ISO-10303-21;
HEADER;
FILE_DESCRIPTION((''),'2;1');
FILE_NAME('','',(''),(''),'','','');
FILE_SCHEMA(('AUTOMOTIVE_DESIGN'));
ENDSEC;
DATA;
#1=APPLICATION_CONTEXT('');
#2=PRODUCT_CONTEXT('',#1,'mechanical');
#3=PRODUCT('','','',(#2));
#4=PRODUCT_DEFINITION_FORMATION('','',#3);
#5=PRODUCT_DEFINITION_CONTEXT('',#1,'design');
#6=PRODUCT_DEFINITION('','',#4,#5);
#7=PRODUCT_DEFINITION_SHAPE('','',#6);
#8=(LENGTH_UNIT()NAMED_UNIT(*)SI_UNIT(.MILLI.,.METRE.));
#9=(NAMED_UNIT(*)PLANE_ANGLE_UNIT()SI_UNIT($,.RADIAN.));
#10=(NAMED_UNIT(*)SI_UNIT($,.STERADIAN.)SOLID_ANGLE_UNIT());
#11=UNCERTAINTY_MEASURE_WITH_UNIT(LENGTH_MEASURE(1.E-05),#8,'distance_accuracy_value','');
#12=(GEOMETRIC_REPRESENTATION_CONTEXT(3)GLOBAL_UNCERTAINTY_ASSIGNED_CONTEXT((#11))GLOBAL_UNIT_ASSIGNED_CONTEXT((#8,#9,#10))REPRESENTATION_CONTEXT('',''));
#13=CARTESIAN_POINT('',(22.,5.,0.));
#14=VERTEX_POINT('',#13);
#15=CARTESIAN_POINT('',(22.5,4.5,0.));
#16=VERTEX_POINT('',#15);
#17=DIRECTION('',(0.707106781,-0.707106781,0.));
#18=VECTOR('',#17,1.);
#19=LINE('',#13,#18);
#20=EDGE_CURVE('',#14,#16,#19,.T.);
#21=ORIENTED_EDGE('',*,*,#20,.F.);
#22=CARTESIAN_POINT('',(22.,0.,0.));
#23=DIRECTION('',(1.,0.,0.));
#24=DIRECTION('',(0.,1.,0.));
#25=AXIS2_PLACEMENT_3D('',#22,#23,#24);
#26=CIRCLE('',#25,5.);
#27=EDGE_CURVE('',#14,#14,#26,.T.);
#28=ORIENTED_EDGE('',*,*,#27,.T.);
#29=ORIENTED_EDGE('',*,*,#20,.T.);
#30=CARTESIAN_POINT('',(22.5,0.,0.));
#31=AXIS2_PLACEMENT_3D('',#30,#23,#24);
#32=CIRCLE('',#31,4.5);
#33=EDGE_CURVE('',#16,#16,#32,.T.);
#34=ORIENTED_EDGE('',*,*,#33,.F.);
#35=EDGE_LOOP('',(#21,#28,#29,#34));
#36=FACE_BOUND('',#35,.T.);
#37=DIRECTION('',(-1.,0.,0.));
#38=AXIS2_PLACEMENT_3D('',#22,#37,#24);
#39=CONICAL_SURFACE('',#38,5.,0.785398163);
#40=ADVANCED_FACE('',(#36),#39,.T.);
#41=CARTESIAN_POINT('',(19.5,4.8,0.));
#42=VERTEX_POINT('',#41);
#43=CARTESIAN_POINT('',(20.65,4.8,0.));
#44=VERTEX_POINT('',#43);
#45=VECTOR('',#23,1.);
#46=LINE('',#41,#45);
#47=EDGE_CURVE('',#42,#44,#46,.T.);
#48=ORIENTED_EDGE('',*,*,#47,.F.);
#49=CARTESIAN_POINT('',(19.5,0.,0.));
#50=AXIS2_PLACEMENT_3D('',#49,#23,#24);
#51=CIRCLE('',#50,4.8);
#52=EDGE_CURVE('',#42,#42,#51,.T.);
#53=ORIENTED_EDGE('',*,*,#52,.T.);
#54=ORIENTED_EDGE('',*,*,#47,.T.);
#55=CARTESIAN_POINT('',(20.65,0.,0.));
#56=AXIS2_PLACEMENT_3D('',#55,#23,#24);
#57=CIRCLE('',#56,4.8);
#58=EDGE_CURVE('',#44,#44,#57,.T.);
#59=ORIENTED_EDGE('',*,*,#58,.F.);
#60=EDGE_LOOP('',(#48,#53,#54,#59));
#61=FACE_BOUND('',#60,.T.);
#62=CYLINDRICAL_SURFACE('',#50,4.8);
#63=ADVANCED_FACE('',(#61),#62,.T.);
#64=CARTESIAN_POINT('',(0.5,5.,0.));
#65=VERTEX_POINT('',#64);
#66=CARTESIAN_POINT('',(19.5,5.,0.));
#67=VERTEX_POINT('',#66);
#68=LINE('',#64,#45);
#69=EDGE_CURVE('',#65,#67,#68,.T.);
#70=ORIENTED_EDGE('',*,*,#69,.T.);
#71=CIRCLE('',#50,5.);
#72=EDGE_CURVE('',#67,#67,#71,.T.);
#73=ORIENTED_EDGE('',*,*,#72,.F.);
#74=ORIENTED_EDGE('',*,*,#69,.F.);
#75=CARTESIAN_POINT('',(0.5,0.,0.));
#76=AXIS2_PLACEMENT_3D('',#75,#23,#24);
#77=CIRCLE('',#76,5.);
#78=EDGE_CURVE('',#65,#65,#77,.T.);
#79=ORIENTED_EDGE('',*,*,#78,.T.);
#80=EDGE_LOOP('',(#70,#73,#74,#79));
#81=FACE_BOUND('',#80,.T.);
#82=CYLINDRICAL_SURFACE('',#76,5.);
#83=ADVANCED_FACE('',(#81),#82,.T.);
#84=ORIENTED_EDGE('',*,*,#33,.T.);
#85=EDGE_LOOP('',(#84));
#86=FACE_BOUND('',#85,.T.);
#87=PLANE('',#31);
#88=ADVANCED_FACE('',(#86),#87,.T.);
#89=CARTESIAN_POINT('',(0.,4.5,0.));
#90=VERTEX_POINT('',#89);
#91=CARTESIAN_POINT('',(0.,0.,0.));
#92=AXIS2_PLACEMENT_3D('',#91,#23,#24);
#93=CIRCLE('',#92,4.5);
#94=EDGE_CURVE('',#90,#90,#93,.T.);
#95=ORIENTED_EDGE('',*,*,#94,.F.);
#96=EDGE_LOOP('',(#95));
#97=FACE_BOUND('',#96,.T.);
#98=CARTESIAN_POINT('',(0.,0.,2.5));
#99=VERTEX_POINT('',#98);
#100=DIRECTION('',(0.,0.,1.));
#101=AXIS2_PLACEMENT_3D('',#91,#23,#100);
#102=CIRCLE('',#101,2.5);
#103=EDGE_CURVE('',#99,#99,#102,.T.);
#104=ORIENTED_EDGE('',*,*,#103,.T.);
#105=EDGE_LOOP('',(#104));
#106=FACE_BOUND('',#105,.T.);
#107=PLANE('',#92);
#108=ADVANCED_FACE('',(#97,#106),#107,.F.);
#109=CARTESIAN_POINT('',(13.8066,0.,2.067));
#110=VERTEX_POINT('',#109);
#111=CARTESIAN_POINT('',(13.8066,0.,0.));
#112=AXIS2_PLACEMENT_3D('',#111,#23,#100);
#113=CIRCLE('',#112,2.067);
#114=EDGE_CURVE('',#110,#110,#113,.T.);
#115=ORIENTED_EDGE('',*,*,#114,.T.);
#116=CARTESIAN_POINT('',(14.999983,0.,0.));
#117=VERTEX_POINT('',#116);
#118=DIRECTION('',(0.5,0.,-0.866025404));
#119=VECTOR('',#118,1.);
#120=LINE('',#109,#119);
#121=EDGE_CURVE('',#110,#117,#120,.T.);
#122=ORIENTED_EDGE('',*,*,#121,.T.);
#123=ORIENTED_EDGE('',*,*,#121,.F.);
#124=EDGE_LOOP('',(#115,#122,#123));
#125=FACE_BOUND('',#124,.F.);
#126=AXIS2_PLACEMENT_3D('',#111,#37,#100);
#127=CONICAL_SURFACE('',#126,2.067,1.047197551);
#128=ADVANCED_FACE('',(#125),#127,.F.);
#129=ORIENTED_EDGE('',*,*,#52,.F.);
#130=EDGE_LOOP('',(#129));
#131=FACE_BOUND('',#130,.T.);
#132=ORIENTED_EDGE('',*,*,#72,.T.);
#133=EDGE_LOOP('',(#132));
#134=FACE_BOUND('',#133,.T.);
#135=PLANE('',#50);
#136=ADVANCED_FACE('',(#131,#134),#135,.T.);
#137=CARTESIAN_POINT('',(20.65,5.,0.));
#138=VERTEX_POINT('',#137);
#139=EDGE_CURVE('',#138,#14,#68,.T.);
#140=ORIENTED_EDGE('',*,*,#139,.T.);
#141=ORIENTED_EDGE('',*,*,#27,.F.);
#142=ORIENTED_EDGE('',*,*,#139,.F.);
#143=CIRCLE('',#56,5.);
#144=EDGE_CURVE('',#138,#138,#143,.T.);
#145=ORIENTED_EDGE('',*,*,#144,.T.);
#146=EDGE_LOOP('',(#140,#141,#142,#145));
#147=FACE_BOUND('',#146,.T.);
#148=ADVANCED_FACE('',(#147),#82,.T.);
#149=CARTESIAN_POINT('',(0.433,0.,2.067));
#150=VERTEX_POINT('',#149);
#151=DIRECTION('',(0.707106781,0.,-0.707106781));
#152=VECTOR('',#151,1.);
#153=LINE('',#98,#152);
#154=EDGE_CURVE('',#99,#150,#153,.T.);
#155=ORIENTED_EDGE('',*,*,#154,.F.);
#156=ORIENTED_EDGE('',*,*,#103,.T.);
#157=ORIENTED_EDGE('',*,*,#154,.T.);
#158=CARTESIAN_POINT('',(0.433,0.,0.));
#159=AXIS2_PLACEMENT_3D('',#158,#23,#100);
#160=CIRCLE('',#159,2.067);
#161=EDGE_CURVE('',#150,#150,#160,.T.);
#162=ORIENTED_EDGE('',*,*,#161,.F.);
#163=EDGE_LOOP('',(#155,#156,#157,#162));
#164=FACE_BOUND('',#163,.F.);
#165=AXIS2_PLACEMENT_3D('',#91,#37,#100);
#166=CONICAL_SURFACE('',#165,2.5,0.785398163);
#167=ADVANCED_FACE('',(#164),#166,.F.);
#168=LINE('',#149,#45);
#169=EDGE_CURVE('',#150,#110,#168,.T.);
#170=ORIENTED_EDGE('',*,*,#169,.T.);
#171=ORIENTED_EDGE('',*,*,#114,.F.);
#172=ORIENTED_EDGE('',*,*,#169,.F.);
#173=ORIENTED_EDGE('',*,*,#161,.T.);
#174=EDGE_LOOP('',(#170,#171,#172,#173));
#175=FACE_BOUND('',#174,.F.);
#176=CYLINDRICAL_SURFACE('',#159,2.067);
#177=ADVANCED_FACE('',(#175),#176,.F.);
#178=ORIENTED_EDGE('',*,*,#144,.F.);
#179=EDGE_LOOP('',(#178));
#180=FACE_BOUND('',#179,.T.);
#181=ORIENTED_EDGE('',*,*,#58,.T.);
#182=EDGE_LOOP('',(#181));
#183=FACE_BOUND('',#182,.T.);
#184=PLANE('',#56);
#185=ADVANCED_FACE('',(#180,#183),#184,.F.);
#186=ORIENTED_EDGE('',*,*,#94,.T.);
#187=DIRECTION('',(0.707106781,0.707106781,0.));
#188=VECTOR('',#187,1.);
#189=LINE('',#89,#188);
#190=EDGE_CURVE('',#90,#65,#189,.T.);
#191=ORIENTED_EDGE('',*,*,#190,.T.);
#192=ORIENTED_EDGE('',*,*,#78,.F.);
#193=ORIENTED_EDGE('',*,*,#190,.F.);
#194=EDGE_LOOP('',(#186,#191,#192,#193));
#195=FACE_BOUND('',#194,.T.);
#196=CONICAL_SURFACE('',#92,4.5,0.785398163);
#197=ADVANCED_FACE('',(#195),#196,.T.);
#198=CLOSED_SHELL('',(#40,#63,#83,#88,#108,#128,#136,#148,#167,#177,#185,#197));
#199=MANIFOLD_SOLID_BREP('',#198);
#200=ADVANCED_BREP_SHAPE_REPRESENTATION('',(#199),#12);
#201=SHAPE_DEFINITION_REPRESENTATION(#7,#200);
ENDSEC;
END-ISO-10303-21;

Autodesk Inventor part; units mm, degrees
sketch "Sketch_1" plane through (0, 0, 0) normal (0, 0, 1) x (1, 0, 0)
  line L0 (22.5, 0) -> (0, 0)
  line L1 (0, 0) -> (0, 4.5)
  line L2 (0, 4.5) -> (0.5, 5)
  line L3 (0.5, 5) -> (22, 5)
  line L4 (22, 5) -> (22.5, 4.5)
  line L5 (22.5, 4.5) -> (22.5, 0)
  line L6 (22.5, 0) -> (0, 0)
revolve "Revolution1" add sketch "Sketch_1" angle 360 about axis through (22.5, 0, 0) along (1, 0, 0)
sketch "Sketch2" plane through (0, 0, 0) normal (-1, 0, 0) x (0, 0, 1)
  point P0 (0, 0)
hole "Hole1" at (0, 0, 0) direction (1, 0, 0) diameter 4.134 depth 13.8066 tip angle 120 countersink diameter 5 countersink angle 90 thread size "M5x0.8" class "6H" standard "ISO Metric profile"
sketch "Sketch_20" plane through (0, 0, 0) normal (0, 0, 1) x (1, 0, 0)
  line L0 (22.5, 0) -> (-22.5, 0)
  line L1 (19.5, 9.6) -> (19.5, 4.8)
  line L2 (19.5, 4.8) -> (20.65, 4.8)
  line L3 (20.65, 4.8) -> (20.65, 9.6)
  line L4 (20.65, 9.6) -> (19.5, 9.6)
revolve "Revolution2" cut sketch "Sketch_20" angle 360 about axis through (22.5, 0, 0) along (1, 0, 0)
ref_plane "to_ring_F_R_XY" through (20.075, 0, 0) normal (1, 0, 0) x (0, 0, -1)
ref_plane "to_ring_F_R_YZ" through (20.075, 0, 0) normal (0, 0, -1) x (0, 1, 0)
ref_plane "to_ring_F_R_ZX" through (20.075, 0, 0) normal (0, 1, 0) x (1, 0, 0)
properties part number "SSFRBF-D10-L22.5-M5-U3"
